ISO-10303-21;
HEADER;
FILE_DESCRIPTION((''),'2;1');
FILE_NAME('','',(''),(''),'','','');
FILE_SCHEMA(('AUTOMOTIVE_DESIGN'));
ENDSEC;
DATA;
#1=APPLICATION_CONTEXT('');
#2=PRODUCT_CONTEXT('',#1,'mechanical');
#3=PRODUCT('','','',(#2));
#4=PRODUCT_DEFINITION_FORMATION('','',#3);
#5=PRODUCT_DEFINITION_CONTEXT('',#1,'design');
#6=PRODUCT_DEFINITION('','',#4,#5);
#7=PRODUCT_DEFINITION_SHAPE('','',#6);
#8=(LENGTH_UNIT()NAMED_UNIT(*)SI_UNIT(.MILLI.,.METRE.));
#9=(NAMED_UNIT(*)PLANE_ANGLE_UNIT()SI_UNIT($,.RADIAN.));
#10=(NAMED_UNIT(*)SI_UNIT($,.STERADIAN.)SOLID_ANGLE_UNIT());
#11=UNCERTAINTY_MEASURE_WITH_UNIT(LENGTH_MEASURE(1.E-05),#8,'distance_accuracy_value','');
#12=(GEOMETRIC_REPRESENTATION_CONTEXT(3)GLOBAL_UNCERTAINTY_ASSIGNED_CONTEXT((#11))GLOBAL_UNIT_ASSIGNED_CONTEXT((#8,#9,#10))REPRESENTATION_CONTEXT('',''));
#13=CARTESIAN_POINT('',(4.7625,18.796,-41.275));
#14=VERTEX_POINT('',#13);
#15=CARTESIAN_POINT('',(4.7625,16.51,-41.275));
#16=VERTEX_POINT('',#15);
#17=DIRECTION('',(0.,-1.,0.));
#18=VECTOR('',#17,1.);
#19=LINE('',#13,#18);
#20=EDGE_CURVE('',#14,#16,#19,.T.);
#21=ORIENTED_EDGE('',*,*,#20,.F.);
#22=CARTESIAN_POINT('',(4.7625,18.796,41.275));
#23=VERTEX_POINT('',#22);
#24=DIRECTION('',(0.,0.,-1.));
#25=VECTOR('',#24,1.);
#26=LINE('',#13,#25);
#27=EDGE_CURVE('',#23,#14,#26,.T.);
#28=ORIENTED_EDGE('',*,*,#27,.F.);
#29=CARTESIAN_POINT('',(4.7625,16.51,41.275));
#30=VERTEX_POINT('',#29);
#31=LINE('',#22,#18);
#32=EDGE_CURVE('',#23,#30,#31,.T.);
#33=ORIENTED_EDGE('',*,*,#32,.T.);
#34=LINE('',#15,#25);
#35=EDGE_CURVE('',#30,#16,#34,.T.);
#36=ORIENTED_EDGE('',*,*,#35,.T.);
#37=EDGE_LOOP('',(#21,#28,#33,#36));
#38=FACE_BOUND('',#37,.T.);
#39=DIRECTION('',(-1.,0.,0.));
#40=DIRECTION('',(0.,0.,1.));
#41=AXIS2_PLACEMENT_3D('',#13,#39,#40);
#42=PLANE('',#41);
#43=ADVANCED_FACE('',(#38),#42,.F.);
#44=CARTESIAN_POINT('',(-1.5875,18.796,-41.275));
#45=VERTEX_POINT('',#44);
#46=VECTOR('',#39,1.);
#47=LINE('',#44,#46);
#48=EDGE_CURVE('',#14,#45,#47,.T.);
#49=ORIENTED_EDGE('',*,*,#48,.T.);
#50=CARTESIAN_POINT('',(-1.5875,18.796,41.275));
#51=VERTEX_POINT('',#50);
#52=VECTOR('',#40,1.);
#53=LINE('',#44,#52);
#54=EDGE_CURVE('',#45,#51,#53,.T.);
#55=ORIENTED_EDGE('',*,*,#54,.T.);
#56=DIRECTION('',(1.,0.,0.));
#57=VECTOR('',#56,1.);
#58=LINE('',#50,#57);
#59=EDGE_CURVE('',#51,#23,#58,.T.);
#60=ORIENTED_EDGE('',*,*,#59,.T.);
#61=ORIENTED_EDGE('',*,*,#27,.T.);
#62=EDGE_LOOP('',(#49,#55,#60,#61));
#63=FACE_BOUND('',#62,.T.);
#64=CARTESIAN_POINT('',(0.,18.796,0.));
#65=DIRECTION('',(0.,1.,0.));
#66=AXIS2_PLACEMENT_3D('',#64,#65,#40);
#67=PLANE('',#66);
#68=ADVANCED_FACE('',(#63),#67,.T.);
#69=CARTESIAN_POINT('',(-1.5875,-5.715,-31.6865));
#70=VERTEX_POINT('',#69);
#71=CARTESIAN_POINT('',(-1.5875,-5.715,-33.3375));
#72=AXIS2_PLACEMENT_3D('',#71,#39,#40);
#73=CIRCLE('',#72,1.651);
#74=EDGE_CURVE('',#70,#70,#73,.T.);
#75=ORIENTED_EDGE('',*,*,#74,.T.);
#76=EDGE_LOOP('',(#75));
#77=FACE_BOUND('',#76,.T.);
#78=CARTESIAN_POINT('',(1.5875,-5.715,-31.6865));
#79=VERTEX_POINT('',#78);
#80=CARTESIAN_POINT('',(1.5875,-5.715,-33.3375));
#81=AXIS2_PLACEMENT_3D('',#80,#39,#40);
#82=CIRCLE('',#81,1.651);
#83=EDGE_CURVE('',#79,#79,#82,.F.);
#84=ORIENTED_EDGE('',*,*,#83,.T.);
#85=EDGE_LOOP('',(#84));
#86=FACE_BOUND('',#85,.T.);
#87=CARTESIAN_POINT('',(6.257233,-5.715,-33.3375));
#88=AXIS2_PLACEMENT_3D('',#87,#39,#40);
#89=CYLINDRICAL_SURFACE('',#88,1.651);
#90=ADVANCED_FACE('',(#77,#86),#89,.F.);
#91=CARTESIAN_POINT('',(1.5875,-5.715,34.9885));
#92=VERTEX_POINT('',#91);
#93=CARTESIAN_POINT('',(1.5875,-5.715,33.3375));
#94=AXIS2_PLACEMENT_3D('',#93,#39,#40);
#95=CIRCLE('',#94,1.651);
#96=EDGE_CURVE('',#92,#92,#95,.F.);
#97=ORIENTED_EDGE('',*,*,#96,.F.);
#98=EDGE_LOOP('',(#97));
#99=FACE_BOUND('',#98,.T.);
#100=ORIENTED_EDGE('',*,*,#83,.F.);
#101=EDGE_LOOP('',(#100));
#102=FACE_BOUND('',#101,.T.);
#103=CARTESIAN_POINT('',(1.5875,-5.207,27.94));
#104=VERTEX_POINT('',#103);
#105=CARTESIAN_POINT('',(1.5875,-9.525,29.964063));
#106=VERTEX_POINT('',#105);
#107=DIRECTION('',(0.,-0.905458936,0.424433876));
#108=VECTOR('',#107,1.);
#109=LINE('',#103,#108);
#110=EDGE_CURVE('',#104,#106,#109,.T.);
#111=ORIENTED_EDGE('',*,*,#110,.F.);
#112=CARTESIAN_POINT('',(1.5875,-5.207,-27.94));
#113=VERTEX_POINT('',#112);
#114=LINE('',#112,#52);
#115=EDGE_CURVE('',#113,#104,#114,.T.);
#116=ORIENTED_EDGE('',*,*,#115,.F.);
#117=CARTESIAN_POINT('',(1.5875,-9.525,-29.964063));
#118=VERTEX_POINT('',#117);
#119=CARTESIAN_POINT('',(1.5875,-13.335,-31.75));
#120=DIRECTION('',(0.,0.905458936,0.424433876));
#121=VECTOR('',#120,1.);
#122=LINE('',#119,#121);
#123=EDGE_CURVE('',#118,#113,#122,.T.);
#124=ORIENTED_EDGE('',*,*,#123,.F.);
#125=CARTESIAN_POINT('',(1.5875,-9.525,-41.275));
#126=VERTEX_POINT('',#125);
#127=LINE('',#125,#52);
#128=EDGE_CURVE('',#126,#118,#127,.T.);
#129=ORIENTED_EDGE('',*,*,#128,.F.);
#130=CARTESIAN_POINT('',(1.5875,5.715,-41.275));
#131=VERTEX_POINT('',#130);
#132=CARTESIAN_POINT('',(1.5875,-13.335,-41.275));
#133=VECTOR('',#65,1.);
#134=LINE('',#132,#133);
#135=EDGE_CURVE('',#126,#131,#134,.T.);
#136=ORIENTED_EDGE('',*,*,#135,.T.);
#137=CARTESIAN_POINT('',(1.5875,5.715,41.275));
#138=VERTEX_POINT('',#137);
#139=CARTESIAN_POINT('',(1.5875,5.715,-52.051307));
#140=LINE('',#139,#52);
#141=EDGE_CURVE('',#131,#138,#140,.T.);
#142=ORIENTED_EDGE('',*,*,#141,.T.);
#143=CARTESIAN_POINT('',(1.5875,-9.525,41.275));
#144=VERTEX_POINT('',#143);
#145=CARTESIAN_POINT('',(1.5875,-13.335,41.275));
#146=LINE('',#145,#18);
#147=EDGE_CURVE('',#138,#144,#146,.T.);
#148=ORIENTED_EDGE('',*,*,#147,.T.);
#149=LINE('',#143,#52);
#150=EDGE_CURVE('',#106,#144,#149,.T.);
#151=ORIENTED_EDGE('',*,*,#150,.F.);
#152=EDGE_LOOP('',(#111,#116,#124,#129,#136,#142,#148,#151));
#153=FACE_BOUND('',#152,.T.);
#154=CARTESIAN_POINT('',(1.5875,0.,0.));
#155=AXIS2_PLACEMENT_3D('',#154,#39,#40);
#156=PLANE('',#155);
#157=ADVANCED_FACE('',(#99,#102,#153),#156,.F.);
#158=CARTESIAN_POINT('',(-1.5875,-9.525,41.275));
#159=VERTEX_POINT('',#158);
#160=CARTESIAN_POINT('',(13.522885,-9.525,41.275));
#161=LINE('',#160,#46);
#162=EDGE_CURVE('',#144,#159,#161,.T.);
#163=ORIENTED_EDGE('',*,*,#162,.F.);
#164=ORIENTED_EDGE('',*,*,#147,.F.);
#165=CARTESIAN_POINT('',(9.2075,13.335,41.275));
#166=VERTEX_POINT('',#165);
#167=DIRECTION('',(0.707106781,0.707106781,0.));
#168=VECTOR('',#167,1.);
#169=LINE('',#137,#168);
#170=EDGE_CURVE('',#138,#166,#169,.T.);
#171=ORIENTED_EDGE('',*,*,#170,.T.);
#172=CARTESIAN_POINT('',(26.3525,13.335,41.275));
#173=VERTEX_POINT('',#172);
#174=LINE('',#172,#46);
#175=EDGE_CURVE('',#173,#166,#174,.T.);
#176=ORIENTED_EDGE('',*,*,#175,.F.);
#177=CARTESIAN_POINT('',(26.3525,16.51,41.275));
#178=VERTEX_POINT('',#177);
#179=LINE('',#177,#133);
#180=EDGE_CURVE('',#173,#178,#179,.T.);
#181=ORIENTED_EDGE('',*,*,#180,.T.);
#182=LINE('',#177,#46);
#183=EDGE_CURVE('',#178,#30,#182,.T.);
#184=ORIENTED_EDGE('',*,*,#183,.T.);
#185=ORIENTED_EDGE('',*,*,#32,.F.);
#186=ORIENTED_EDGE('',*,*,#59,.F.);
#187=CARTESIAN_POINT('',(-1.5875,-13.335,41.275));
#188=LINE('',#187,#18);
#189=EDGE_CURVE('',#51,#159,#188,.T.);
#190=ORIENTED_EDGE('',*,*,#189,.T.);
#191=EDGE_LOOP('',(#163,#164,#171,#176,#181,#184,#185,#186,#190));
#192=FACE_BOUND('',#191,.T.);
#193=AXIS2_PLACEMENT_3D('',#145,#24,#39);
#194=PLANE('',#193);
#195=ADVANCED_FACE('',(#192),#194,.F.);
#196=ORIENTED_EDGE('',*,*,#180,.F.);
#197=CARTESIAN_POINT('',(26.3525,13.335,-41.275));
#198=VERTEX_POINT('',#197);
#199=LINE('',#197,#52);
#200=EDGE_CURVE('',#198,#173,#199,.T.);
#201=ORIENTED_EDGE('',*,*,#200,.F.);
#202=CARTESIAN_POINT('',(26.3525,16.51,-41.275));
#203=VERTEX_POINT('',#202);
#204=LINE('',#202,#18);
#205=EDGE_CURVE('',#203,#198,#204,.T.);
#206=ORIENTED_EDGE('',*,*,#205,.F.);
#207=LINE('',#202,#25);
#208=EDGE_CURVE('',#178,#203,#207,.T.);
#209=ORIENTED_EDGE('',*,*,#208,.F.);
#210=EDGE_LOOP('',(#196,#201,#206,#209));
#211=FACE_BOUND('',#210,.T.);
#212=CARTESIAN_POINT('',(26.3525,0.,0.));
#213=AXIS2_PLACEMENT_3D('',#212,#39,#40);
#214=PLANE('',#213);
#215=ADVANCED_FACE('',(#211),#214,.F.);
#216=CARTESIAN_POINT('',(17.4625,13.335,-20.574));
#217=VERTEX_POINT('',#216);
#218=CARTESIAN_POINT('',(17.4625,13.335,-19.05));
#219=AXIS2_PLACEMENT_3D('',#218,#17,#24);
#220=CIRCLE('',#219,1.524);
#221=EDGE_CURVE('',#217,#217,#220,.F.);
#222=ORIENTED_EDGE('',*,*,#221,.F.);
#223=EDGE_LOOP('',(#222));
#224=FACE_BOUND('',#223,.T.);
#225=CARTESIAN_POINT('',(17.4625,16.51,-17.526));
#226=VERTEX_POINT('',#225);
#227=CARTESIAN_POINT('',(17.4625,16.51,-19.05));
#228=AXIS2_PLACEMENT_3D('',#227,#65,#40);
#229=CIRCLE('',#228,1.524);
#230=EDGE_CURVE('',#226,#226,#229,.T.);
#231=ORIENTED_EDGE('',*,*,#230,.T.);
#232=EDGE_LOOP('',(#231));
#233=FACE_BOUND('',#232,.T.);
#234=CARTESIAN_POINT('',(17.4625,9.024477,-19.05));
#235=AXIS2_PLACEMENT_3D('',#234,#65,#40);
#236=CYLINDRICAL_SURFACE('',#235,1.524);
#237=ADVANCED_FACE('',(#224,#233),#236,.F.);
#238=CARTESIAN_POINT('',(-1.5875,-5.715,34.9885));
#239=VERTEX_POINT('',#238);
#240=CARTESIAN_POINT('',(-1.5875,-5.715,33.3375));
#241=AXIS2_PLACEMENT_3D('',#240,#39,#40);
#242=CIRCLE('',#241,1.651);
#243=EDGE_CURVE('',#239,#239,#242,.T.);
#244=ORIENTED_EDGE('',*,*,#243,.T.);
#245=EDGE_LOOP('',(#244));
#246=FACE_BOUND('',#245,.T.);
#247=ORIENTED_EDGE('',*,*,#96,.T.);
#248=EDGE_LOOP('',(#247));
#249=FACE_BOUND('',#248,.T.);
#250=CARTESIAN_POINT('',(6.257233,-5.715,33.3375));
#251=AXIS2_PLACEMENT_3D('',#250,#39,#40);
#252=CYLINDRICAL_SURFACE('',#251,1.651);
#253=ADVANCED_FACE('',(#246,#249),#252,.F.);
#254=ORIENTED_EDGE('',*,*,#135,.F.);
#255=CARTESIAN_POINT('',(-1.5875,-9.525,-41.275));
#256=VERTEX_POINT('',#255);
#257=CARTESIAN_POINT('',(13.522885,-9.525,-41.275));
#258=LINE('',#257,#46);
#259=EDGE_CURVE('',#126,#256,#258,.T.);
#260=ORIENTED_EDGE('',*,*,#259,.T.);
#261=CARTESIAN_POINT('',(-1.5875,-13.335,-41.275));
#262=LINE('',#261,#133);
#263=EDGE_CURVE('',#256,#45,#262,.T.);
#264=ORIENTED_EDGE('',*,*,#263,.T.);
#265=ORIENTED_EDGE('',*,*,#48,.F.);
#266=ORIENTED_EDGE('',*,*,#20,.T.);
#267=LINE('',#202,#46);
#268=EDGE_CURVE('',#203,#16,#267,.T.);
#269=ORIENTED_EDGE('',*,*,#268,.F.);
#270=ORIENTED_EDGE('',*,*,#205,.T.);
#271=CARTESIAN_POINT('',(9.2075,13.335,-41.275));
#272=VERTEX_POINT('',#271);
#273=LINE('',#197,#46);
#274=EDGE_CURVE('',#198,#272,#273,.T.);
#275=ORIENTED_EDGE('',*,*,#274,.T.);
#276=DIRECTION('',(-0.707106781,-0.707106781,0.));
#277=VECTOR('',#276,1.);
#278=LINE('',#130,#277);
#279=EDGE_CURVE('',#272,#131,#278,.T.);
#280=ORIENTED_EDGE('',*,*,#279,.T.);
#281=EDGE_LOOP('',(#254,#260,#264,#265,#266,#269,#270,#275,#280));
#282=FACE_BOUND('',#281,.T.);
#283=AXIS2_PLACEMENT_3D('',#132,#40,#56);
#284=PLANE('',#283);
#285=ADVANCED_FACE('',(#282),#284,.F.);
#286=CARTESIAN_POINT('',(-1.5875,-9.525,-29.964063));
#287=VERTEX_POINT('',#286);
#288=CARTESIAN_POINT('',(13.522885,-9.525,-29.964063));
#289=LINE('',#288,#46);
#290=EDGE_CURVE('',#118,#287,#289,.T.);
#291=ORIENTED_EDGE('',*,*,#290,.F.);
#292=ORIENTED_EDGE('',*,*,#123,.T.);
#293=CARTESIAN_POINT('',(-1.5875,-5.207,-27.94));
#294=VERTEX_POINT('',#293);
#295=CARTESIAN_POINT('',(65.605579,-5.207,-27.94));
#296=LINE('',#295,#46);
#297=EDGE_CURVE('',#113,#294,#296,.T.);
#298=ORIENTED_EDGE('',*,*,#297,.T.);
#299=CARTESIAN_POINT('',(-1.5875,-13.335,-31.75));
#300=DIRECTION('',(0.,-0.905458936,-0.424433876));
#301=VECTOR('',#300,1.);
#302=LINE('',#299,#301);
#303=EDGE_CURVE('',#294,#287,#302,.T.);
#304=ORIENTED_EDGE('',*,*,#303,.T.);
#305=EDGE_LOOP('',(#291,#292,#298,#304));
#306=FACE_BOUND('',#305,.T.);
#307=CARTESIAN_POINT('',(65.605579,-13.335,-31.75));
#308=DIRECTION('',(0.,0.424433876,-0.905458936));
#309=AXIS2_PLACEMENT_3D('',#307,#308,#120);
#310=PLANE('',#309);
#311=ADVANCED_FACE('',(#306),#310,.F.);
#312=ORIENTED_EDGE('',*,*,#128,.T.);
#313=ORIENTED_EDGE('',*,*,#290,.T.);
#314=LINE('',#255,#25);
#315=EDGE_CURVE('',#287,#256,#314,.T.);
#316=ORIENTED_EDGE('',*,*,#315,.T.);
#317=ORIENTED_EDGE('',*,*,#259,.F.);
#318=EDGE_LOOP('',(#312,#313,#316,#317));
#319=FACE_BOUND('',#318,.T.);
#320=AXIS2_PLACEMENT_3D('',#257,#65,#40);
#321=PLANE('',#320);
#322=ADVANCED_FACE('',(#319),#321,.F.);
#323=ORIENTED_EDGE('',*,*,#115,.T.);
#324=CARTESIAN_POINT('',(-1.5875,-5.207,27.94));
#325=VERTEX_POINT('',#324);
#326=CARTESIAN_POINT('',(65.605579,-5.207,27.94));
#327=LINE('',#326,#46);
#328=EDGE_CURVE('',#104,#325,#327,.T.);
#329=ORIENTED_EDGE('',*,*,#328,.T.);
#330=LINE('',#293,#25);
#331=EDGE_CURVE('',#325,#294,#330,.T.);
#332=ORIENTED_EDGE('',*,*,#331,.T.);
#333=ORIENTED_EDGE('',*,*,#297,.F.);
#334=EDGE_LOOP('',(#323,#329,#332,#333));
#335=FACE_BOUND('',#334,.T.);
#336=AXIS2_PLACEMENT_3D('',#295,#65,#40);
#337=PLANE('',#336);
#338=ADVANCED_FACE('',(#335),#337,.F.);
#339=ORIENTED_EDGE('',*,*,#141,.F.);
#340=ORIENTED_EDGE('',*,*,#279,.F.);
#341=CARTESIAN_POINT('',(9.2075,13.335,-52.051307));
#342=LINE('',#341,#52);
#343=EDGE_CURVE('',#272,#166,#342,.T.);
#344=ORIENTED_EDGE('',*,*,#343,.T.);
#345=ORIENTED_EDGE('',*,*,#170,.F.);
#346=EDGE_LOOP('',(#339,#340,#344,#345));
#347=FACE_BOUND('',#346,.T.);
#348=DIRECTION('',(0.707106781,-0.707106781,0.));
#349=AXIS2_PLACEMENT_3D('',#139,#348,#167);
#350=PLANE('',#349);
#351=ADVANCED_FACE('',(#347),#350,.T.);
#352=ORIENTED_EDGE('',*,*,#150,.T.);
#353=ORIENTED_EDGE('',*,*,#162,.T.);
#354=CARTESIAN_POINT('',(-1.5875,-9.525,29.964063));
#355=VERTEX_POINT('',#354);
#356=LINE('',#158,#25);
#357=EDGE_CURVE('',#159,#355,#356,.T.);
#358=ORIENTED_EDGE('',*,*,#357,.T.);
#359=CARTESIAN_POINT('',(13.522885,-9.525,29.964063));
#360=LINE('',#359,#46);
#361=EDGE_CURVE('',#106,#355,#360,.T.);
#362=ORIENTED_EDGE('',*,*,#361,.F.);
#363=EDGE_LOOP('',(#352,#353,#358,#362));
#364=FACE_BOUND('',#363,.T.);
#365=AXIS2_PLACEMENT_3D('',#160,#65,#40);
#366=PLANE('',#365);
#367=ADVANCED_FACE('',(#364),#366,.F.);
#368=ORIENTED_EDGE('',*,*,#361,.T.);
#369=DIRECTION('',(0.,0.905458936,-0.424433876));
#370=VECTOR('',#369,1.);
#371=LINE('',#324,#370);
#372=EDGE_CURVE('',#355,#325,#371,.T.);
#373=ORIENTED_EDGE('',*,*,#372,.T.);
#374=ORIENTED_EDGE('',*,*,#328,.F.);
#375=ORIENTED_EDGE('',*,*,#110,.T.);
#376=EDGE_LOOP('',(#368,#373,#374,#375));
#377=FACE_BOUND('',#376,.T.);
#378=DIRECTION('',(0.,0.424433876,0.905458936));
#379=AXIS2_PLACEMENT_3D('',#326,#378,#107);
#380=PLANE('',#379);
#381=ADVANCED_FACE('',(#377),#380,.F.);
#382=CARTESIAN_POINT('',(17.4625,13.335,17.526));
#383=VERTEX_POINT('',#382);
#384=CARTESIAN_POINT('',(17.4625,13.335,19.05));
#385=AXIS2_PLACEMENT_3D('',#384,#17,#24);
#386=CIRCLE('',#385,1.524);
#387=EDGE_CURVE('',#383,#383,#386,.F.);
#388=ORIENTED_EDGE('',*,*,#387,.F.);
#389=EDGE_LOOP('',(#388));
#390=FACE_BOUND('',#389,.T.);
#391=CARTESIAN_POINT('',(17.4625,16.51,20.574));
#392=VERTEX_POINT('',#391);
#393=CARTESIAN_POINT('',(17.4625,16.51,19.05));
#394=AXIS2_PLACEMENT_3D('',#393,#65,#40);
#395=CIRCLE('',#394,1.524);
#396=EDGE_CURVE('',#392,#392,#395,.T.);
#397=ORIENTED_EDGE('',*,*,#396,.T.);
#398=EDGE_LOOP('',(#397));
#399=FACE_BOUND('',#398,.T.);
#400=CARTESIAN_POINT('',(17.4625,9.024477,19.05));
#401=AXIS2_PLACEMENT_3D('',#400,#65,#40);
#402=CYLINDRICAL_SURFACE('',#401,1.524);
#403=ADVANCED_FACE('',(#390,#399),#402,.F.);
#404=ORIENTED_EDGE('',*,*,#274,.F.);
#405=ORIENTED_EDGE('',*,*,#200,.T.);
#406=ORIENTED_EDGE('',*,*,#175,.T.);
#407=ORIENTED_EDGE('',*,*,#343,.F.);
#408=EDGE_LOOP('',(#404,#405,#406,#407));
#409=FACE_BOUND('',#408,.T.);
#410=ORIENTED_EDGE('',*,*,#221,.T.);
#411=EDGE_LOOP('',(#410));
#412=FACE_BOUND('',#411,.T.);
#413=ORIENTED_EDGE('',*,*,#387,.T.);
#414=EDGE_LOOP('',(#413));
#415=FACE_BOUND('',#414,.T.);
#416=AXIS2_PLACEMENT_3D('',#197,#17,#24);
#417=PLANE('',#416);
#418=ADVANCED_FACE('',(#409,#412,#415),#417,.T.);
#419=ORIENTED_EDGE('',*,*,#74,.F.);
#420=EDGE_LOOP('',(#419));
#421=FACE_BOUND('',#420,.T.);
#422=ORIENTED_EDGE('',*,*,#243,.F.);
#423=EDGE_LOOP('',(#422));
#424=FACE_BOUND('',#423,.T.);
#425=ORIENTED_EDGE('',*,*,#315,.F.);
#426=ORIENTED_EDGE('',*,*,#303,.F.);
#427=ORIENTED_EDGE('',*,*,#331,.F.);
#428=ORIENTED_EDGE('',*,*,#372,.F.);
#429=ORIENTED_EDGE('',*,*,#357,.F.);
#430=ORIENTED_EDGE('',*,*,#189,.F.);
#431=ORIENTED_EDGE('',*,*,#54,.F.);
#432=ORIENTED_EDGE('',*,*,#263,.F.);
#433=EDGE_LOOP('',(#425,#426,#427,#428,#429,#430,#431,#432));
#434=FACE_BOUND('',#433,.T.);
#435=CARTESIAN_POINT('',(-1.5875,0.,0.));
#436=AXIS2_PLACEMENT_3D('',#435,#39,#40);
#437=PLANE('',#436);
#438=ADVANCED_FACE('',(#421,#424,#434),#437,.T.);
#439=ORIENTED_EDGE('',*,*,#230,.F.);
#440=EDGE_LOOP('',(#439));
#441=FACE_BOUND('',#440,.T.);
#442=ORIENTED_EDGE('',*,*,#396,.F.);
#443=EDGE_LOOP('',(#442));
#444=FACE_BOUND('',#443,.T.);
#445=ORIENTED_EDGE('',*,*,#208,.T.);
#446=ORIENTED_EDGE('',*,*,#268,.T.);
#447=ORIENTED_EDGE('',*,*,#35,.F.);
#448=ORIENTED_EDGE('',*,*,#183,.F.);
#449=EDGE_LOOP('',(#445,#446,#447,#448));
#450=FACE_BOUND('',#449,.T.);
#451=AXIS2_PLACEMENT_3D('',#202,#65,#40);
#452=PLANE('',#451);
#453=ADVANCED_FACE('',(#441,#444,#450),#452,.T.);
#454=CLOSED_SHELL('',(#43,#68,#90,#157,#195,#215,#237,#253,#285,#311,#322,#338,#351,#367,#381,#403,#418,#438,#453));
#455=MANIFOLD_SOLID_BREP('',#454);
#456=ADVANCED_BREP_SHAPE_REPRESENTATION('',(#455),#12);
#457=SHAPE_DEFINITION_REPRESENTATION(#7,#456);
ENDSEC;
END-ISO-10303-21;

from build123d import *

# Parameters (mm, degrees)
SKETCH1_W           = 82.55
SKETCH1_H           = 26.67
BOSS_EXTRUDE1_DEPTH = 1.5875
SKETCH2_R           = 1.651
SKETCH2_R_2         = 1.5875
CUT_EXTRUDE1_DEPTH  = 3.175
SKETCH5_W           = 82.55
SKETCH5_H           = 3.175
BOSS_EXTRUDE3_DEPTH = 27.94
SKETCH6_R           = 1.524
CUT_EXTRUDE3_DEPTH  = 3.175
CUT_EXTRUDE4_DEPTH  = 3.175
BOSS_EXTRUDE4_DEPTH = 82.55
CUT_EXTRUDE5_DEPTH  = 3.175
SKETCH10_W          = 6.35
SKETCH10_H          = 82.55
BOSS_EXTRUDE5_DEPTH = 2.286


with BuildPart() as part:
    # Sketch1 → Boss-Extrude1 (new, symmetric)
    with BuildSketch(Plane(origin=(0, 0, 0), x_dir=(0, 0, -1), z_dir=(1, 0, 0))):
        Rectangle(SKETCH1_W, SKETCH1_H)
    extrude(amount=BOSS_EXTRUDE1_DEPTH, both=True)

    # Sketch2 → Cut-Extrude1 (cut)
    with BuildSketch(Plane.ZY.offset(1.5875)):
        with Locations((33.3375, -5.715)):
            Circle(SKETCH2_R)
        with Locations((-33.3375, -5.715)):
            Circle(SKETCH2_R)
        with Locations((-26.4795, -10.16)):
            Circle(SKETCH2_R_2)
        with Locations((26.4795, -10.16)):
            Circle(SKETCH2_R_2)
    extrude(amount=-CUT_EXTRUDE1_DEPTH, mode=Mode.SUBTRACT)

    # Sketch5 → Boss-Extrude3 (add)
    with BuildSketch(Plane.ZY.offset(1.5875)):
        with Locations((0, 14.9225)):
            Rectangle(SKETCH5_W, SKETCH5_H)
    extrude(amount=-BOSS_EXTRUDE3_DEPTH)

    # Sketch6 → Cut-Extrude3 (cut)
    with BuildSketch(Plane(origin=(0, 16.51, 0), x_dir=(1, 0, 0), z_dir=(0, 1, 0))):
        with Locations(Location((17.4625, 19.05, 0), (0, 0, 270))):
            Circle(SKETCH6_R)
        with Locations(Location((17.4625, -19.05, 0), (0, 0, 270))):
            Circle(SKETCH6_R)
    extrude(amount=-CUT_EXTRUDE3_DEPTH, mode=Mode.SUBTRACT)

    # Sketch7 → Cut-Extrude4 (cut)
    with BuildSketch(Plane.ZY.offset(1.5875)):
        Polygon((-31.75, -13.335), (31.75, -13.335), (27.94, -5.207), (-27.94, -5.207), align=None)
    extrude(amount=-CUT_EXTRUDE4_DEPTH, mode=Mode.SUBTRACT)

    # Sketch8 → Boss-Extrude4 (add)
    with BuildSketch(Plane.XY.offset(41.275)):
        Polygon((1.5875, 13.335), (9.2075, 13.335), (1.5875, 5.715), align=None)
    extrude(amount=-BOSS_EXTRUDE4_DEPTH)

    # Sketch9 → Cut-Extrude5 (cut)
    with BuildSketch(Plane.ZY.offset(1.5875)):
        Polygon((-41.275, -13.335), (-41.275, -9.525), (-29.9640625, -9.525), (-31.75, -13.335), align=None)
        Polygon((41.275, -13.335), (41.275, -9.525), (29.9640625, -9.525), (31.75, -13.335), align=None)
    extrude(amount=-CUT_EXTRUDE5_DEPTH, mode=Mode.SUBTRACT)

    # Sketch10 → Boss-Extrude5 (add)
    with BuildSketch(Plane(origin=(0, 16.51, 0), x_dir=(1, 0, 0), z_dir=(0, 1, 0))):
        with Locations((1.5875, 0)):
            Rectangle(SKETCH10_W, SKETCH10_H)
    extrude(amount=BOSS_EXTRUDE5_DEPTH)


solid = part.part
